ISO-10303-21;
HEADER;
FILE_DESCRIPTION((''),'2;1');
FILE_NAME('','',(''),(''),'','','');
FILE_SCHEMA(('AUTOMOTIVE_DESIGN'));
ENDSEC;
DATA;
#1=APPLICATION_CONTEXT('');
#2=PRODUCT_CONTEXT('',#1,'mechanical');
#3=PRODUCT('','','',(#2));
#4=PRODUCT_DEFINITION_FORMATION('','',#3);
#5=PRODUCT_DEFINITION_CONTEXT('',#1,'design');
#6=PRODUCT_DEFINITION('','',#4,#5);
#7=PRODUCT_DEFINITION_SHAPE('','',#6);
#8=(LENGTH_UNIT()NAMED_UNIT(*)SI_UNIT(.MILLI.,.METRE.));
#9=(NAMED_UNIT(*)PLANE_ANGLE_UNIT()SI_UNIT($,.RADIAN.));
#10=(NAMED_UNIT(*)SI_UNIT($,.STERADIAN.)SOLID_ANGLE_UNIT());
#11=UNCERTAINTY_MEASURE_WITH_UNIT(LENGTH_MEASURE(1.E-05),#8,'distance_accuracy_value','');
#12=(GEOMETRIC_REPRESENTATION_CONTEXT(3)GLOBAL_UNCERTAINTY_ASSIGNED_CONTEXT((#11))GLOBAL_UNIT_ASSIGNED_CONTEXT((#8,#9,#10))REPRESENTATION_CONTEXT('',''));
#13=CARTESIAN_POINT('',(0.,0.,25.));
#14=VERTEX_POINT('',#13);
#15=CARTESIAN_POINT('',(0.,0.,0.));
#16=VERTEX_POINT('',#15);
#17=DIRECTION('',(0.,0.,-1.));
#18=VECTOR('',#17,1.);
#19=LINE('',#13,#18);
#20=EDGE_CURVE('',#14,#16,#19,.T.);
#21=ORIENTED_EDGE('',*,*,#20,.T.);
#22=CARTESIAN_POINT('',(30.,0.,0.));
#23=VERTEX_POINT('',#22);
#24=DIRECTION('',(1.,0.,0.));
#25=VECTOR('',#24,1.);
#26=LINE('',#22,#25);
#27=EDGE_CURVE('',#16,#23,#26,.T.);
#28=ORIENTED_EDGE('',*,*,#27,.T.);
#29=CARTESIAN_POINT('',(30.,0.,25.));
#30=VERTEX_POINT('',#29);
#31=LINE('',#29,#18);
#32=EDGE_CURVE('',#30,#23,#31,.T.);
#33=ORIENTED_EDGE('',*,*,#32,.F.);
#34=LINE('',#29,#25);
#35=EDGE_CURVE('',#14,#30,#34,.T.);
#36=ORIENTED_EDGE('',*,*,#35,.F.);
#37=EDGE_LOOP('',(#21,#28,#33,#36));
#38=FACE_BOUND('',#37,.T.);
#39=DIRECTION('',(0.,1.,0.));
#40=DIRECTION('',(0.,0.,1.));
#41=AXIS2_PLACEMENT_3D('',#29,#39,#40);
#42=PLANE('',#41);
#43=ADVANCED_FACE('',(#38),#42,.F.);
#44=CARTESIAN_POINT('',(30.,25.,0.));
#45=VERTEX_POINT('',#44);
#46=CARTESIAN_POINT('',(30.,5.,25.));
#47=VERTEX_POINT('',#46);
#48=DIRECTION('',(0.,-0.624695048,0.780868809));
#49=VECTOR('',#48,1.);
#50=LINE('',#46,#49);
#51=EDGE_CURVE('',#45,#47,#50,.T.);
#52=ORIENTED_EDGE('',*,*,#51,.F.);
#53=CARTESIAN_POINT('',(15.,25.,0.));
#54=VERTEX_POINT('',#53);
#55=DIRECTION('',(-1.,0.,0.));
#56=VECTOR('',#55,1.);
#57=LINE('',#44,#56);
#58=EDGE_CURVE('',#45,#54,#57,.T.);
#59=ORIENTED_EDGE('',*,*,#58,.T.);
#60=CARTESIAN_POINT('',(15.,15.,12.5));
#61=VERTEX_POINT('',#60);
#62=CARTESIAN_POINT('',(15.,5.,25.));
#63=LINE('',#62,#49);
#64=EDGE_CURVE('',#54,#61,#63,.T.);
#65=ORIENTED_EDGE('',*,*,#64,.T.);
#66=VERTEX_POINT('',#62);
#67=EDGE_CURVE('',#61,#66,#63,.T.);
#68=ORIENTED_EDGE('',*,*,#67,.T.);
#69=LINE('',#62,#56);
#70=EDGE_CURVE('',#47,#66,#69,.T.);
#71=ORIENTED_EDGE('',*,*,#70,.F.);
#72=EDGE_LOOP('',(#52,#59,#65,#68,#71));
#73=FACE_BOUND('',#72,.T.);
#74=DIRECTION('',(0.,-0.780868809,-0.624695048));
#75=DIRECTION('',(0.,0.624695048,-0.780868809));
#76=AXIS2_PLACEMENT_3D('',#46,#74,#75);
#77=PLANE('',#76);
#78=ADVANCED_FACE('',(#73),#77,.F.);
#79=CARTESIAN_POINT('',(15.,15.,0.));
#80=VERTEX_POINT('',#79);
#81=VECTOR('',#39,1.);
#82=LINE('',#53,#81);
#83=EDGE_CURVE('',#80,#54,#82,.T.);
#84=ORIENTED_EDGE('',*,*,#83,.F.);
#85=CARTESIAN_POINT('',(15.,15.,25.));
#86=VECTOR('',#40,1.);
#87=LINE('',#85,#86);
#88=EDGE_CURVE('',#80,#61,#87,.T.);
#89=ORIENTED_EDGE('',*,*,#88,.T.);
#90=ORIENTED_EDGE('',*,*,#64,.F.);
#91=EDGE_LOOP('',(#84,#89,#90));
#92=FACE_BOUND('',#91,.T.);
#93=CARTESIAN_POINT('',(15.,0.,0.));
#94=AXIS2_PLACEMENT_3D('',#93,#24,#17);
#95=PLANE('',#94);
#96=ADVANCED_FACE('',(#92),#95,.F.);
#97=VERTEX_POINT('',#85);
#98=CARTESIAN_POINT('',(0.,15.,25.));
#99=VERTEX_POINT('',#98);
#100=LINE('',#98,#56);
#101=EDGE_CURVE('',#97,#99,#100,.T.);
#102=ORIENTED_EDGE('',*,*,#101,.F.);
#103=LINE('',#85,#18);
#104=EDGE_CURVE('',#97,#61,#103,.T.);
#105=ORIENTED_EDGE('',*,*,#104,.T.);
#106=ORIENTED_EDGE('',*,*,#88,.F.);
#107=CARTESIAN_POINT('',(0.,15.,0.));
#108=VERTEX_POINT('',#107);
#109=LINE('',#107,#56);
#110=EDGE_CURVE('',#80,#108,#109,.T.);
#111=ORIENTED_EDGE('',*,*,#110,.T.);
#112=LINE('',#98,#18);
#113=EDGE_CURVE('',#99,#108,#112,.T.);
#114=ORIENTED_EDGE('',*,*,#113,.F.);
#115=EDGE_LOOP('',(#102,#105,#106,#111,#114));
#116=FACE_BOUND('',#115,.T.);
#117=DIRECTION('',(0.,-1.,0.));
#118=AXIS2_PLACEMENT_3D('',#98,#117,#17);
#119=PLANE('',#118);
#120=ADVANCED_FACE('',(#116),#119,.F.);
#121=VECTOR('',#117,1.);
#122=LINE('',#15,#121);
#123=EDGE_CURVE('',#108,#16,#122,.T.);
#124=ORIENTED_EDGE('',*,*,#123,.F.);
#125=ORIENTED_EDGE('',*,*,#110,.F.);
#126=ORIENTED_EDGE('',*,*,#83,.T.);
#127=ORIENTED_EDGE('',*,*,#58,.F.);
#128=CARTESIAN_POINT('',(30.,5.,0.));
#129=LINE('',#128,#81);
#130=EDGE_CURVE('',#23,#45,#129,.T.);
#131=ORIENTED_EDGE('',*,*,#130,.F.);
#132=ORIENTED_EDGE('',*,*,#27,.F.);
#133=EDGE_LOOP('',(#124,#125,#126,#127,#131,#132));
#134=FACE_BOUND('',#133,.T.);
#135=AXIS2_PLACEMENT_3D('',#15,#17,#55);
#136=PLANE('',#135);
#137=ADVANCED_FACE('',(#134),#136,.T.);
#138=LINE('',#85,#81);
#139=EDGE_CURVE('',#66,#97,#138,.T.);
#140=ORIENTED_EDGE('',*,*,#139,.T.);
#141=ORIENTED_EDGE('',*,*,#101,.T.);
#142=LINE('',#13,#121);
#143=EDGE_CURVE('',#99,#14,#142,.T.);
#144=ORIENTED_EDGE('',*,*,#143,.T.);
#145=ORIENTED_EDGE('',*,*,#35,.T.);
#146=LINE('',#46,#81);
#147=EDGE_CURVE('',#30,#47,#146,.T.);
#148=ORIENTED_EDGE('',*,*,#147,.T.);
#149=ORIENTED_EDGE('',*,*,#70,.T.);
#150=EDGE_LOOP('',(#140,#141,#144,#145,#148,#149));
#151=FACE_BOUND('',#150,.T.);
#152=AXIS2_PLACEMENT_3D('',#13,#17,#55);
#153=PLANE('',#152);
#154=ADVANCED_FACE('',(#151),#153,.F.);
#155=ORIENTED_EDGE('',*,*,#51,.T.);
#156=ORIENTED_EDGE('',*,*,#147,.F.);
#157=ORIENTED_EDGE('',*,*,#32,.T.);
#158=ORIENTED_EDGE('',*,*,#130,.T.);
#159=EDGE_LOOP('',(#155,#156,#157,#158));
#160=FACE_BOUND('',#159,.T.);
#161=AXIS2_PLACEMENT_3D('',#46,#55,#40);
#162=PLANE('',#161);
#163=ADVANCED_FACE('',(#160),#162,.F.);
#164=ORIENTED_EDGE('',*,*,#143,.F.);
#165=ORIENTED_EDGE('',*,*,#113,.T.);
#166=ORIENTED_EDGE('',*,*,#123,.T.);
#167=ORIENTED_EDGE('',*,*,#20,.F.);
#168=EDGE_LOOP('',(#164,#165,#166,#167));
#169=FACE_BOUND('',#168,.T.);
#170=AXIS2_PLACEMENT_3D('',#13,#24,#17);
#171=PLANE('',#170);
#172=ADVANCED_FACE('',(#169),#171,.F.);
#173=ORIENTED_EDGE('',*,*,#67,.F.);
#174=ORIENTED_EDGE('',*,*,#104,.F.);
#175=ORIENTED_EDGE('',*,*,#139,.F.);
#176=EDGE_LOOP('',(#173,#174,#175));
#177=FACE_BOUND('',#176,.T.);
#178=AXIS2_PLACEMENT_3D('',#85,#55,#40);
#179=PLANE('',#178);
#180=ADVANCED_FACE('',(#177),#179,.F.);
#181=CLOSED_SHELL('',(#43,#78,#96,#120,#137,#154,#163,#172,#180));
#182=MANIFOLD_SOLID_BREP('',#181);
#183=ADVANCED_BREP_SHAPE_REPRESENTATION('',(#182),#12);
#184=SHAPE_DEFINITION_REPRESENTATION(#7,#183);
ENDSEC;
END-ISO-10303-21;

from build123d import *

# Parameters (mm, degrees)
BOSS_EXTRUDE1_DEPTH = 25
BOSS_EXTRUDE2_DEPTH = 15


with BuildPart() as part:
    # Sketch1 → Boss-Extrude1 (new body)
    with BuildSketch(Plane.XY):
        Polygon((0, 0), (0, 15), (15, 15), (15, 5), (30, 5), (30, 0), align=None)
    extrude(amount=BOSS_EXTRUDE1_DEPTH)

    # Sketch2 → Boss-Extrude2 (add)
    with BuildSketch(Plane(origin=(15, 0, 0), x_dir=(0, 0, -1), z_dir=(1, 0, 0))):
        Polygon((-25, 5), (0, 25), (0, 5), align=None)
    extrude(amount=BOSS_EXTRUDE2_DEPTH)


solid = part.part
